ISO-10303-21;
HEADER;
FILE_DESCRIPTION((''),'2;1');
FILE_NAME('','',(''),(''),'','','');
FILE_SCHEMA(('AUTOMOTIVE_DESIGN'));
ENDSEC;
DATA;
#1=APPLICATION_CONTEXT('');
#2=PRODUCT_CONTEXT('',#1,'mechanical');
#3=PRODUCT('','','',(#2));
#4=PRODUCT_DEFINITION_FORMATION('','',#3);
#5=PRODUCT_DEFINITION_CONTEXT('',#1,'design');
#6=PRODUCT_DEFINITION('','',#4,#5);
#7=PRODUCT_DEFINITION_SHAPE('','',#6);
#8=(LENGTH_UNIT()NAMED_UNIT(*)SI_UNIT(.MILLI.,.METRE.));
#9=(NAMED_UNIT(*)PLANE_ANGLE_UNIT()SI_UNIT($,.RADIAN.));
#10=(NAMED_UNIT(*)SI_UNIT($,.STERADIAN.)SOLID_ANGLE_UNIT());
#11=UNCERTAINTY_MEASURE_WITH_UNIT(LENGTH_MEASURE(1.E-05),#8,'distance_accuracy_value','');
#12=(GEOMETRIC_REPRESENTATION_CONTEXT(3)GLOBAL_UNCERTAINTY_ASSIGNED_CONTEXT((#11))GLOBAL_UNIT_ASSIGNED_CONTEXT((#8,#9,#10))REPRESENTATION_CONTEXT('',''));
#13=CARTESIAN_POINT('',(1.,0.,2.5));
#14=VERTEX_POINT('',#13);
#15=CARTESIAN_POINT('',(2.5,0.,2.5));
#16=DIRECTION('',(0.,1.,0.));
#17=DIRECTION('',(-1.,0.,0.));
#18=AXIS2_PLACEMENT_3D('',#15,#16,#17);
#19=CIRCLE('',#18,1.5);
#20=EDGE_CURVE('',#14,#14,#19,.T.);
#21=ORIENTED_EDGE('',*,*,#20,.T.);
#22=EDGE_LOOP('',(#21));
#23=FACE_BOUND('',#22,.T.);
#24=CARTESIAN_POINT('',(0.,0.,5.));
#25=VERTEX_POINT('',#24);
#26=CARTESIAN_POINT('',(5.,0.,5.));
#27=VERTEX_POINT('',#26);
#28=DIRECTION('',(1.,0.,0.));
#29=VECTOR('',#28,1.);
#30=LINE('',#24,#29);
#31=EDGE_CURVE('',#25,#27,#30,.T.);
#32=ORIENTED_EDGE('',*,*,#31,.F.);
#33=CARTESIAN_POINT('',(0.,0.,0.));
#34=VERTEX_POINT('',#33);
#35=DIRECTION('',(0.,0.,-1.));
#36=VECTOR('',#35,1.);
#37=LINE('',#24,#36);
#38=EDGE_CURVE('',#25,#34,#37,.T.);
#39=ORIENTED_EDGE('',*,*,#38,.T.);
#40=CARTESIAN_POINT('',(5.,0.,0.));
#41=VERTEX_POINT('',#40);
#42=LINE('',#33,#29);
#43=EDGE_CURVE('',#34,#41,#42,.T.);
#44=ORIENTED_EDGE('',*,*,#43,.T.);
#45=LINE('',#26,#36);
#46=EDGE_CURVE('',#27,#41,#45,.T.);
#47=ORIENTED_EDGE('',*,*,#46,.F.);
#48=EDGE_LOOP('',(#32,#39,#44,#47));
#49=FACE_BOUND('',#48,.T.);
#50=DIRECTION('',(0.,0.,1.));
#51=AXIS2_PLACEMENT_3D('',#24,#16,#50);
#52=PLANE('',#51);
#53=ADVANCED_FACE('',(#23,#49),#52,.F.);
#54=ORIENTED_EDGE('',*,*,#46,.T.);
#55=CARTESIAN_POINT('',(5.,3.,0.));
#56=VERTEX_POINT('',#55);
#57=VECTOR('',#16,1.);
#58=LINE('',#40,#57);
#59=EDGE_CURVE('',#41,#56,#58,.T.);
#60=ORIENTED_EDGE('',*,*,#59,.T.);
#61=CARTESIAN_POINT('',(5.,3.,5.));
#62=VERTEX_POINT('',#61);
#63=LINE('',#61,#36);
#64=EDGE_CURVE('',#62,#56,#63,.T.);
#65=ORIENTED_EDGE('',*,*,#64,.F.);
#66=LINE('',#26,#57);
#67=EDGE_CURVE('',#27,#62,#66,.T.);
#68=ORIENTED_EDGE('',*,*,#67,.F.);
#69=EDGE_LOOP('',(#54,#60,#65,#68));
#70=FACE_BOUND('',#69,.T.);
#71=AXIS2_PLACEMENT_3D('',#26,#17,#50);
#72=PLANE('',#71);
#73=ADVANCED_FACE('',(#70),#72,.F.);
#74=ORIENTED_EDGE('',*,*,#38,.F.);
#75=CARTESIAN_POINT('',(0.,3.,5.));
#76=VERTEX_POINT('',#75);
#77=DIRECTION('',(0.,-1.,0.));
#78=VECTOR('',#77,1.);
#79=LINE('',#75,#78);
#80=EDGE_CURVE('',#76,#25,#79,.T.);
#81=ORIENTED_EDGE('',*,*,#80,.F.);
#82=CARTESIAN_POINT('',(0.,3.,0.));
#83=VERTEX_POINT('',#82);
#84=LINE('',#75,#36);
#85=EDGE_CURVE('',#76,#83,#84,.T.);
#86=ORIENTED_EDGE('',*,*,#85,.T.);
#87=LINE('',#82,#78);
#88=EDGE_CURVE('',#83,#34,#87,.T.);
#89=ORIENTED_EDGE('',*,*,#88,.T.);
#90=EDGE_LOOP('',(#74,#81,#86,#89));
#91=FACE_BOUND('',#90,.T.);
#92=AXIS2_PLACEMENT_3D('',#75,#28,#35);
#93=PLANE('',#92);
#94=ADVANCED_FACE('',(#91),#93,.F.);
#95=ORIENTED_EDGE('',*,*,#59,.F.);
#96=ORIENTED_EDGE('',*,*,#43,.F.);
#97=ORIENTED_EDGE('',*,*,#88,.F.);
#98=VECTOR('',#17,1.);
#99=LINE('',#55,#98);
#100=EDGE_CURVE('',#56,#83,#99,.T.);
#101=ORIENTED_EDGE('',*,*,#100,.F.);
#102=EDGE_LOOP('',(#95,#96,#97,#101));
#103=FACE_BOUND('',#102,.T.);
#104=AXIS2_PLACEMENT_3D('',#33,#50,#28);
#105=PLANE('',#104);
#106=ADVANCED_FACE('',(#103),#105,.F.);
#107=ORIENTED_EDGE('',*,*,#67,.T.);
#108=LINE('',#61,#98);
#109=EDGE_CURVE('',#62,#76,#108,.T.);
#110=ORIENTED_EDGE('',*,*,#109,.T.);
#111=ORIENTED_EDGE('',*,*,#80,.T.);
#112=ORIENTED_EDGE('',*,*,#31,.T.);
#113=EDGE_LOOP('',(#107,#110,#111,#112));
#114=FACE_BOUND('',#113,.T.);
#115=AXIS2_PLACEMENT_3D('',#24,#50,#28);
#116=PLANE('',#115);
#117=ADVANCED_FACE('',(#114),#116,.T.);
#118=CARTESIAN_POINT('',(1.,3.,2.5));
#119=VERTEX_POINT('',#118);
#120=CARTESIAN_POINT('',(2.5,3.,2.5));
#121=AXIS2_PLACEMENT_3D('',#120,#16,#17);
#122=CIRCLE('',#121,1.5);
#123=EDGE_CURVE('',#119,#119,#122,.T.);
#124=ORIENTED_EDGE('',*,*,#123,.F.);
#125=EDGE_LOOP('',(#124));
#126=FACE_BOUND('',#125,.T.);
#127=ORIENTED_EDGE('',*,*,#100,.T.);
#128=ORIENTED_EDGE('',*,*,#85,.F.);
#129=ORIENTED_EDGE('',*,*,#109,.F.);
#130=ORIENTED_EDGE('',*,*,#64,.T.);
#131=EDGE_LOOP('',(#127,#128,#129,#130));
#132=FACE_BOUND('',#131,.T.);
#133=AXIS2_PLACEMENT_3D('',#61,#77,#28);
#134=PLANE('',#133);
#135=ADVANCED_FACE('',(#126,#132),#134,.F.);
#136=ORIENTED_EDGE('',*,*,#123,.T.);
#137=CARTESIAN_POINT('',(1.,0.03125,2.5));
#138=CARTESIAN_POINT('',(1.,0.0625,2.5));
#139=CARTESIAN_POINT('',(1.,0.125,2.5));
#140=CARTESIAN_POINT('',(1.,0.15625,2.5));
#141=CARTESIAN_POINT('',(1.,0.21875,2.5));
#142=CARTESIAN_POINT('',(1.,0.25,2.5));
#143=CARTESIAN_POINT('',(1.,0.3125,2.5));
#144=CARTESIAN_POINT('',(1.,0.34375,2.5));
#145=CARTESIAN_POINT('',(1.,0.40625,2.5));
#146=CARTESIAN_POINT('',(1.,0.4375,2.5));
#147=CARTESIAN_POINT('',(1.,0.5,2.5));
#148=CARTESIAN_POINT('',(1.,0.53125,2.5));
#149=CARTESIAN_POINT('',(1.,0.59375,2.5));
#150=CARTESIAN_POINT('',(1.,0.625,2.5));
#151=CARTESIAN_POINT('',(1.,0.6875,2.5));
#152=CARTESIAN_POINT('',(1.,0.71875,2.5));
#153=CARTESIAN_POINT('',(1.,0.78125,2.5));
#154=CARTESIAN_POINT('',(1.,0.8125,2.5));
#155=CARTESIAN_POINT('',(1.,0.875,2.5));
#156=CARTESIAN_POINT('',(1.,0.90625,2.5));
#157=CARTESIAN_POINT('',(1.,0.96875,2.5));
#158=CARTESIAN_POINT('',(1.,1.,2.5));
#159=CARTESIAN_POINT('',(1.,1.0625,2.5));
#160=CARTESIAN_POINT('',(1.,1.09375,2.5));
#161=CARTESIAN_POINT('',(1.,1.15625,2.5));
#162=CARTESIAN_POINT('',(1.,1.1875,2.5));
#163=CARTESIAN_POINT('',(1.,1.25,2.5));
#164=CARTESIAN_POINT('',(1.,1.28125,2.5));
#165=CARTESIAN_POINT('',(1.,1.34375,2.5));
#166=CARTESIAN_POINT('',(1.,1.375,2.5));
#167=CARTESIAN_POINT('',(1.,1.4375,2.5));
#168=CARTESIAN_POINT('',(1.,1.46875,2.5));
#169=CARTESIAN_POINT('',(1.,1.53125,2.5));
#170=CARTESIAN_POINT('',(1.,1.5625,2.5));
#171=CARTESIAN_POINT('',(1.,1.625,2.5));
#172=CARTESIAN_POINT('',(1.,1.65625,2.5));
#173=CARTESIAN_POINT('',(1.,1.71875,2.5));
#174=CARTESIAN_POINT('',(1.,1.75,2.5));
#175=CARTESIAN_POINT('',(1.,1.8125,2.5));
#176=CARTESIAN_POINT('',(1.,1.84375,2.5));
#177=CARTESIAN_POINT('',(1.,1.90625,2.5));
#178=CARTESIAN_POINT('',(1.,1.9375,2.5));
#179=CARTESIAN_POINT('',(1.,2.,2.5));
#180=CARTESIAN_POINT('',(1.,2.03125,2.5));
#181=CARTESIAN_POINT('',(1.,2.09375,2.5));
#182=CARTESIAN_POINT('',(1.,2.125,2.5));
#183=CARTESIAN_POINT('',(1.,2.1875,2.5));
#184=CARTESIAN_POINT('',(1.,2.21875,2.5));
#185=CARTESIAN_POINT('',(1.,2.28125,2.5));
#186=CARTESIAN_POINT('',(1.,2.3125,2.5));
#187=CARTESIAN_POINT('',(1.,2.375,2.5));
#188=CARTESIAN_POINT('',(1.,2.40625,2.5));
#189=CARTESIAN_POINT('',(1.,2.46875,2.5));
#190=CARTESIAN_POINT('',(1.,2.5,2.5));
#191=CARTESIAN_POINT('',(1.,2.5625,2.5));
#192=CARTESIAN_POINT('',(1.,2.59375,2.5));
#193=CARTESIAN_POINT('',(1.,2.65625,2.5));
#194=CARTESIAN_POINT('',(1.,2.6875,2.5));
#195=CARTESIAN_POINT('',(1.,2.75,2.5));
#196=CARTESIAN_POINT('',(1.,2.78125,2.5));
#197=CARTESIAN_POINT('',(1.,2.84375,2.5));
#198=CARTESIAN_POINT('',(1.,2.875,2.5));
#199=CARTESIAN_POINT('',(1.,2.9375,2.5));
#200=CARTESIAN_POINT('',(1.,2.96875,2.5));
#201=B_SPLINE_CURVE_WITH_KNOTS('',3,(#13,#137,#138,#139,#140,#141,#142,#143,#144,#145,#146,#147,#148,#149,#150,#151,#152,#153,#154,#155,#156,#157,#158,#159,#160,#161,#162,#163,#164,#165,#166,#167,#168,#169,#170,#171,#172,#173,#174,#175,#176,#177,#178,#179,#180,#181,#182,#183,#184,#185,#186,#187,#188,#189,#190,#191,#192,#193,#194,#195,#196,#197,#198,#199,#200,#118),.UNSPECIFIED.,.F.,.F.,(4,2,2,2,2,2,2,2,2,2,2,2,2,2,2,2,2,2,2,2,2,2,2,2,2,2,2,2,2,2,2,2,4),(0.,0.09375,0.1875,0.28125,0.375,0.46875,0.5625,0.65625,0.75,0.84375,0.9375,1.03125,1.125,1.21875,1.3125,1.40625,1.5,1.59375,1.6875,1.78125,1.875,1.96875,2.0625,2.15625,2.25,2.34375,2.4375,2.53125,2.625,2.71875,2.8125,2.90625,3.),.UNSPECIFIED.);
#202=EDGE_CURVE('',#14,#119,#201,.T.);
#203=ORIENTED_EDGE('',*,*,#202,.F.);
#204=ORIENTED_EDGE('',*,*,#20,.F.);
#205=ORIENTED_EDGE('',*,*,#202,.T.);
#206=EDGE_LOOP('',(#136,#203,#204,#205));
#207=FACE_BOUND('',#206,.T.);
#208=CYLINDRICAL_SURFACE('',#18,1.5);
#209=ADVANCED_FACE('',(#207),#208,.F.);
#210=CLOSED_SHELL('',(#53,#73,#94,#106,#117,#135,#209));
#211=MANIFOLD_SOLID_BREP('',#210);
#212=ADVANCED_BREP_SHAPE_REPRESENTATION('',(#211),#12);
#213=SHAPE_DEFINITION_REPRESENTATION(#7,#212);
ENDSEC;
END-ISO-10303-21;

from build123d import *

# Parameters (mm, degrees)
SKETCH1_W           = 5
SKETCH1_H           = 3
BOSS_EXTRUDE1_DEPTH = 5
SKETCH2_R           = 1.5
CUT_EXTRUDE1_DEPTH  = 8.681145748


with BuildPart() as part:
    # Sketch1 → Boss-Extrude1 (new body)
    with BuildSketch(Plane.XY):
        with Locations((2.5, 1.5)):
            Rectangle(SKETCH1_W, SKETCH1_H)
    extrude(amount=BOSS_EXTRUDE1_DEPTH)

    # Sketch2 → Cut-Extrude1 (cut, through all)
    with BuildSketch(Plane(origin=(0, 3, 0), x_dir=(1, 0, 0), z_dir=(0, 1, 0))):
        with Locations(Location((2.5, -2.5, 0), (0, 0, 180))):
            Circle(SKETCH2_R)
    extrude(amount=-CUT_EXTRUDE1_DEPTH, mode=Mode.SUBTRACT)


solid = part.part
